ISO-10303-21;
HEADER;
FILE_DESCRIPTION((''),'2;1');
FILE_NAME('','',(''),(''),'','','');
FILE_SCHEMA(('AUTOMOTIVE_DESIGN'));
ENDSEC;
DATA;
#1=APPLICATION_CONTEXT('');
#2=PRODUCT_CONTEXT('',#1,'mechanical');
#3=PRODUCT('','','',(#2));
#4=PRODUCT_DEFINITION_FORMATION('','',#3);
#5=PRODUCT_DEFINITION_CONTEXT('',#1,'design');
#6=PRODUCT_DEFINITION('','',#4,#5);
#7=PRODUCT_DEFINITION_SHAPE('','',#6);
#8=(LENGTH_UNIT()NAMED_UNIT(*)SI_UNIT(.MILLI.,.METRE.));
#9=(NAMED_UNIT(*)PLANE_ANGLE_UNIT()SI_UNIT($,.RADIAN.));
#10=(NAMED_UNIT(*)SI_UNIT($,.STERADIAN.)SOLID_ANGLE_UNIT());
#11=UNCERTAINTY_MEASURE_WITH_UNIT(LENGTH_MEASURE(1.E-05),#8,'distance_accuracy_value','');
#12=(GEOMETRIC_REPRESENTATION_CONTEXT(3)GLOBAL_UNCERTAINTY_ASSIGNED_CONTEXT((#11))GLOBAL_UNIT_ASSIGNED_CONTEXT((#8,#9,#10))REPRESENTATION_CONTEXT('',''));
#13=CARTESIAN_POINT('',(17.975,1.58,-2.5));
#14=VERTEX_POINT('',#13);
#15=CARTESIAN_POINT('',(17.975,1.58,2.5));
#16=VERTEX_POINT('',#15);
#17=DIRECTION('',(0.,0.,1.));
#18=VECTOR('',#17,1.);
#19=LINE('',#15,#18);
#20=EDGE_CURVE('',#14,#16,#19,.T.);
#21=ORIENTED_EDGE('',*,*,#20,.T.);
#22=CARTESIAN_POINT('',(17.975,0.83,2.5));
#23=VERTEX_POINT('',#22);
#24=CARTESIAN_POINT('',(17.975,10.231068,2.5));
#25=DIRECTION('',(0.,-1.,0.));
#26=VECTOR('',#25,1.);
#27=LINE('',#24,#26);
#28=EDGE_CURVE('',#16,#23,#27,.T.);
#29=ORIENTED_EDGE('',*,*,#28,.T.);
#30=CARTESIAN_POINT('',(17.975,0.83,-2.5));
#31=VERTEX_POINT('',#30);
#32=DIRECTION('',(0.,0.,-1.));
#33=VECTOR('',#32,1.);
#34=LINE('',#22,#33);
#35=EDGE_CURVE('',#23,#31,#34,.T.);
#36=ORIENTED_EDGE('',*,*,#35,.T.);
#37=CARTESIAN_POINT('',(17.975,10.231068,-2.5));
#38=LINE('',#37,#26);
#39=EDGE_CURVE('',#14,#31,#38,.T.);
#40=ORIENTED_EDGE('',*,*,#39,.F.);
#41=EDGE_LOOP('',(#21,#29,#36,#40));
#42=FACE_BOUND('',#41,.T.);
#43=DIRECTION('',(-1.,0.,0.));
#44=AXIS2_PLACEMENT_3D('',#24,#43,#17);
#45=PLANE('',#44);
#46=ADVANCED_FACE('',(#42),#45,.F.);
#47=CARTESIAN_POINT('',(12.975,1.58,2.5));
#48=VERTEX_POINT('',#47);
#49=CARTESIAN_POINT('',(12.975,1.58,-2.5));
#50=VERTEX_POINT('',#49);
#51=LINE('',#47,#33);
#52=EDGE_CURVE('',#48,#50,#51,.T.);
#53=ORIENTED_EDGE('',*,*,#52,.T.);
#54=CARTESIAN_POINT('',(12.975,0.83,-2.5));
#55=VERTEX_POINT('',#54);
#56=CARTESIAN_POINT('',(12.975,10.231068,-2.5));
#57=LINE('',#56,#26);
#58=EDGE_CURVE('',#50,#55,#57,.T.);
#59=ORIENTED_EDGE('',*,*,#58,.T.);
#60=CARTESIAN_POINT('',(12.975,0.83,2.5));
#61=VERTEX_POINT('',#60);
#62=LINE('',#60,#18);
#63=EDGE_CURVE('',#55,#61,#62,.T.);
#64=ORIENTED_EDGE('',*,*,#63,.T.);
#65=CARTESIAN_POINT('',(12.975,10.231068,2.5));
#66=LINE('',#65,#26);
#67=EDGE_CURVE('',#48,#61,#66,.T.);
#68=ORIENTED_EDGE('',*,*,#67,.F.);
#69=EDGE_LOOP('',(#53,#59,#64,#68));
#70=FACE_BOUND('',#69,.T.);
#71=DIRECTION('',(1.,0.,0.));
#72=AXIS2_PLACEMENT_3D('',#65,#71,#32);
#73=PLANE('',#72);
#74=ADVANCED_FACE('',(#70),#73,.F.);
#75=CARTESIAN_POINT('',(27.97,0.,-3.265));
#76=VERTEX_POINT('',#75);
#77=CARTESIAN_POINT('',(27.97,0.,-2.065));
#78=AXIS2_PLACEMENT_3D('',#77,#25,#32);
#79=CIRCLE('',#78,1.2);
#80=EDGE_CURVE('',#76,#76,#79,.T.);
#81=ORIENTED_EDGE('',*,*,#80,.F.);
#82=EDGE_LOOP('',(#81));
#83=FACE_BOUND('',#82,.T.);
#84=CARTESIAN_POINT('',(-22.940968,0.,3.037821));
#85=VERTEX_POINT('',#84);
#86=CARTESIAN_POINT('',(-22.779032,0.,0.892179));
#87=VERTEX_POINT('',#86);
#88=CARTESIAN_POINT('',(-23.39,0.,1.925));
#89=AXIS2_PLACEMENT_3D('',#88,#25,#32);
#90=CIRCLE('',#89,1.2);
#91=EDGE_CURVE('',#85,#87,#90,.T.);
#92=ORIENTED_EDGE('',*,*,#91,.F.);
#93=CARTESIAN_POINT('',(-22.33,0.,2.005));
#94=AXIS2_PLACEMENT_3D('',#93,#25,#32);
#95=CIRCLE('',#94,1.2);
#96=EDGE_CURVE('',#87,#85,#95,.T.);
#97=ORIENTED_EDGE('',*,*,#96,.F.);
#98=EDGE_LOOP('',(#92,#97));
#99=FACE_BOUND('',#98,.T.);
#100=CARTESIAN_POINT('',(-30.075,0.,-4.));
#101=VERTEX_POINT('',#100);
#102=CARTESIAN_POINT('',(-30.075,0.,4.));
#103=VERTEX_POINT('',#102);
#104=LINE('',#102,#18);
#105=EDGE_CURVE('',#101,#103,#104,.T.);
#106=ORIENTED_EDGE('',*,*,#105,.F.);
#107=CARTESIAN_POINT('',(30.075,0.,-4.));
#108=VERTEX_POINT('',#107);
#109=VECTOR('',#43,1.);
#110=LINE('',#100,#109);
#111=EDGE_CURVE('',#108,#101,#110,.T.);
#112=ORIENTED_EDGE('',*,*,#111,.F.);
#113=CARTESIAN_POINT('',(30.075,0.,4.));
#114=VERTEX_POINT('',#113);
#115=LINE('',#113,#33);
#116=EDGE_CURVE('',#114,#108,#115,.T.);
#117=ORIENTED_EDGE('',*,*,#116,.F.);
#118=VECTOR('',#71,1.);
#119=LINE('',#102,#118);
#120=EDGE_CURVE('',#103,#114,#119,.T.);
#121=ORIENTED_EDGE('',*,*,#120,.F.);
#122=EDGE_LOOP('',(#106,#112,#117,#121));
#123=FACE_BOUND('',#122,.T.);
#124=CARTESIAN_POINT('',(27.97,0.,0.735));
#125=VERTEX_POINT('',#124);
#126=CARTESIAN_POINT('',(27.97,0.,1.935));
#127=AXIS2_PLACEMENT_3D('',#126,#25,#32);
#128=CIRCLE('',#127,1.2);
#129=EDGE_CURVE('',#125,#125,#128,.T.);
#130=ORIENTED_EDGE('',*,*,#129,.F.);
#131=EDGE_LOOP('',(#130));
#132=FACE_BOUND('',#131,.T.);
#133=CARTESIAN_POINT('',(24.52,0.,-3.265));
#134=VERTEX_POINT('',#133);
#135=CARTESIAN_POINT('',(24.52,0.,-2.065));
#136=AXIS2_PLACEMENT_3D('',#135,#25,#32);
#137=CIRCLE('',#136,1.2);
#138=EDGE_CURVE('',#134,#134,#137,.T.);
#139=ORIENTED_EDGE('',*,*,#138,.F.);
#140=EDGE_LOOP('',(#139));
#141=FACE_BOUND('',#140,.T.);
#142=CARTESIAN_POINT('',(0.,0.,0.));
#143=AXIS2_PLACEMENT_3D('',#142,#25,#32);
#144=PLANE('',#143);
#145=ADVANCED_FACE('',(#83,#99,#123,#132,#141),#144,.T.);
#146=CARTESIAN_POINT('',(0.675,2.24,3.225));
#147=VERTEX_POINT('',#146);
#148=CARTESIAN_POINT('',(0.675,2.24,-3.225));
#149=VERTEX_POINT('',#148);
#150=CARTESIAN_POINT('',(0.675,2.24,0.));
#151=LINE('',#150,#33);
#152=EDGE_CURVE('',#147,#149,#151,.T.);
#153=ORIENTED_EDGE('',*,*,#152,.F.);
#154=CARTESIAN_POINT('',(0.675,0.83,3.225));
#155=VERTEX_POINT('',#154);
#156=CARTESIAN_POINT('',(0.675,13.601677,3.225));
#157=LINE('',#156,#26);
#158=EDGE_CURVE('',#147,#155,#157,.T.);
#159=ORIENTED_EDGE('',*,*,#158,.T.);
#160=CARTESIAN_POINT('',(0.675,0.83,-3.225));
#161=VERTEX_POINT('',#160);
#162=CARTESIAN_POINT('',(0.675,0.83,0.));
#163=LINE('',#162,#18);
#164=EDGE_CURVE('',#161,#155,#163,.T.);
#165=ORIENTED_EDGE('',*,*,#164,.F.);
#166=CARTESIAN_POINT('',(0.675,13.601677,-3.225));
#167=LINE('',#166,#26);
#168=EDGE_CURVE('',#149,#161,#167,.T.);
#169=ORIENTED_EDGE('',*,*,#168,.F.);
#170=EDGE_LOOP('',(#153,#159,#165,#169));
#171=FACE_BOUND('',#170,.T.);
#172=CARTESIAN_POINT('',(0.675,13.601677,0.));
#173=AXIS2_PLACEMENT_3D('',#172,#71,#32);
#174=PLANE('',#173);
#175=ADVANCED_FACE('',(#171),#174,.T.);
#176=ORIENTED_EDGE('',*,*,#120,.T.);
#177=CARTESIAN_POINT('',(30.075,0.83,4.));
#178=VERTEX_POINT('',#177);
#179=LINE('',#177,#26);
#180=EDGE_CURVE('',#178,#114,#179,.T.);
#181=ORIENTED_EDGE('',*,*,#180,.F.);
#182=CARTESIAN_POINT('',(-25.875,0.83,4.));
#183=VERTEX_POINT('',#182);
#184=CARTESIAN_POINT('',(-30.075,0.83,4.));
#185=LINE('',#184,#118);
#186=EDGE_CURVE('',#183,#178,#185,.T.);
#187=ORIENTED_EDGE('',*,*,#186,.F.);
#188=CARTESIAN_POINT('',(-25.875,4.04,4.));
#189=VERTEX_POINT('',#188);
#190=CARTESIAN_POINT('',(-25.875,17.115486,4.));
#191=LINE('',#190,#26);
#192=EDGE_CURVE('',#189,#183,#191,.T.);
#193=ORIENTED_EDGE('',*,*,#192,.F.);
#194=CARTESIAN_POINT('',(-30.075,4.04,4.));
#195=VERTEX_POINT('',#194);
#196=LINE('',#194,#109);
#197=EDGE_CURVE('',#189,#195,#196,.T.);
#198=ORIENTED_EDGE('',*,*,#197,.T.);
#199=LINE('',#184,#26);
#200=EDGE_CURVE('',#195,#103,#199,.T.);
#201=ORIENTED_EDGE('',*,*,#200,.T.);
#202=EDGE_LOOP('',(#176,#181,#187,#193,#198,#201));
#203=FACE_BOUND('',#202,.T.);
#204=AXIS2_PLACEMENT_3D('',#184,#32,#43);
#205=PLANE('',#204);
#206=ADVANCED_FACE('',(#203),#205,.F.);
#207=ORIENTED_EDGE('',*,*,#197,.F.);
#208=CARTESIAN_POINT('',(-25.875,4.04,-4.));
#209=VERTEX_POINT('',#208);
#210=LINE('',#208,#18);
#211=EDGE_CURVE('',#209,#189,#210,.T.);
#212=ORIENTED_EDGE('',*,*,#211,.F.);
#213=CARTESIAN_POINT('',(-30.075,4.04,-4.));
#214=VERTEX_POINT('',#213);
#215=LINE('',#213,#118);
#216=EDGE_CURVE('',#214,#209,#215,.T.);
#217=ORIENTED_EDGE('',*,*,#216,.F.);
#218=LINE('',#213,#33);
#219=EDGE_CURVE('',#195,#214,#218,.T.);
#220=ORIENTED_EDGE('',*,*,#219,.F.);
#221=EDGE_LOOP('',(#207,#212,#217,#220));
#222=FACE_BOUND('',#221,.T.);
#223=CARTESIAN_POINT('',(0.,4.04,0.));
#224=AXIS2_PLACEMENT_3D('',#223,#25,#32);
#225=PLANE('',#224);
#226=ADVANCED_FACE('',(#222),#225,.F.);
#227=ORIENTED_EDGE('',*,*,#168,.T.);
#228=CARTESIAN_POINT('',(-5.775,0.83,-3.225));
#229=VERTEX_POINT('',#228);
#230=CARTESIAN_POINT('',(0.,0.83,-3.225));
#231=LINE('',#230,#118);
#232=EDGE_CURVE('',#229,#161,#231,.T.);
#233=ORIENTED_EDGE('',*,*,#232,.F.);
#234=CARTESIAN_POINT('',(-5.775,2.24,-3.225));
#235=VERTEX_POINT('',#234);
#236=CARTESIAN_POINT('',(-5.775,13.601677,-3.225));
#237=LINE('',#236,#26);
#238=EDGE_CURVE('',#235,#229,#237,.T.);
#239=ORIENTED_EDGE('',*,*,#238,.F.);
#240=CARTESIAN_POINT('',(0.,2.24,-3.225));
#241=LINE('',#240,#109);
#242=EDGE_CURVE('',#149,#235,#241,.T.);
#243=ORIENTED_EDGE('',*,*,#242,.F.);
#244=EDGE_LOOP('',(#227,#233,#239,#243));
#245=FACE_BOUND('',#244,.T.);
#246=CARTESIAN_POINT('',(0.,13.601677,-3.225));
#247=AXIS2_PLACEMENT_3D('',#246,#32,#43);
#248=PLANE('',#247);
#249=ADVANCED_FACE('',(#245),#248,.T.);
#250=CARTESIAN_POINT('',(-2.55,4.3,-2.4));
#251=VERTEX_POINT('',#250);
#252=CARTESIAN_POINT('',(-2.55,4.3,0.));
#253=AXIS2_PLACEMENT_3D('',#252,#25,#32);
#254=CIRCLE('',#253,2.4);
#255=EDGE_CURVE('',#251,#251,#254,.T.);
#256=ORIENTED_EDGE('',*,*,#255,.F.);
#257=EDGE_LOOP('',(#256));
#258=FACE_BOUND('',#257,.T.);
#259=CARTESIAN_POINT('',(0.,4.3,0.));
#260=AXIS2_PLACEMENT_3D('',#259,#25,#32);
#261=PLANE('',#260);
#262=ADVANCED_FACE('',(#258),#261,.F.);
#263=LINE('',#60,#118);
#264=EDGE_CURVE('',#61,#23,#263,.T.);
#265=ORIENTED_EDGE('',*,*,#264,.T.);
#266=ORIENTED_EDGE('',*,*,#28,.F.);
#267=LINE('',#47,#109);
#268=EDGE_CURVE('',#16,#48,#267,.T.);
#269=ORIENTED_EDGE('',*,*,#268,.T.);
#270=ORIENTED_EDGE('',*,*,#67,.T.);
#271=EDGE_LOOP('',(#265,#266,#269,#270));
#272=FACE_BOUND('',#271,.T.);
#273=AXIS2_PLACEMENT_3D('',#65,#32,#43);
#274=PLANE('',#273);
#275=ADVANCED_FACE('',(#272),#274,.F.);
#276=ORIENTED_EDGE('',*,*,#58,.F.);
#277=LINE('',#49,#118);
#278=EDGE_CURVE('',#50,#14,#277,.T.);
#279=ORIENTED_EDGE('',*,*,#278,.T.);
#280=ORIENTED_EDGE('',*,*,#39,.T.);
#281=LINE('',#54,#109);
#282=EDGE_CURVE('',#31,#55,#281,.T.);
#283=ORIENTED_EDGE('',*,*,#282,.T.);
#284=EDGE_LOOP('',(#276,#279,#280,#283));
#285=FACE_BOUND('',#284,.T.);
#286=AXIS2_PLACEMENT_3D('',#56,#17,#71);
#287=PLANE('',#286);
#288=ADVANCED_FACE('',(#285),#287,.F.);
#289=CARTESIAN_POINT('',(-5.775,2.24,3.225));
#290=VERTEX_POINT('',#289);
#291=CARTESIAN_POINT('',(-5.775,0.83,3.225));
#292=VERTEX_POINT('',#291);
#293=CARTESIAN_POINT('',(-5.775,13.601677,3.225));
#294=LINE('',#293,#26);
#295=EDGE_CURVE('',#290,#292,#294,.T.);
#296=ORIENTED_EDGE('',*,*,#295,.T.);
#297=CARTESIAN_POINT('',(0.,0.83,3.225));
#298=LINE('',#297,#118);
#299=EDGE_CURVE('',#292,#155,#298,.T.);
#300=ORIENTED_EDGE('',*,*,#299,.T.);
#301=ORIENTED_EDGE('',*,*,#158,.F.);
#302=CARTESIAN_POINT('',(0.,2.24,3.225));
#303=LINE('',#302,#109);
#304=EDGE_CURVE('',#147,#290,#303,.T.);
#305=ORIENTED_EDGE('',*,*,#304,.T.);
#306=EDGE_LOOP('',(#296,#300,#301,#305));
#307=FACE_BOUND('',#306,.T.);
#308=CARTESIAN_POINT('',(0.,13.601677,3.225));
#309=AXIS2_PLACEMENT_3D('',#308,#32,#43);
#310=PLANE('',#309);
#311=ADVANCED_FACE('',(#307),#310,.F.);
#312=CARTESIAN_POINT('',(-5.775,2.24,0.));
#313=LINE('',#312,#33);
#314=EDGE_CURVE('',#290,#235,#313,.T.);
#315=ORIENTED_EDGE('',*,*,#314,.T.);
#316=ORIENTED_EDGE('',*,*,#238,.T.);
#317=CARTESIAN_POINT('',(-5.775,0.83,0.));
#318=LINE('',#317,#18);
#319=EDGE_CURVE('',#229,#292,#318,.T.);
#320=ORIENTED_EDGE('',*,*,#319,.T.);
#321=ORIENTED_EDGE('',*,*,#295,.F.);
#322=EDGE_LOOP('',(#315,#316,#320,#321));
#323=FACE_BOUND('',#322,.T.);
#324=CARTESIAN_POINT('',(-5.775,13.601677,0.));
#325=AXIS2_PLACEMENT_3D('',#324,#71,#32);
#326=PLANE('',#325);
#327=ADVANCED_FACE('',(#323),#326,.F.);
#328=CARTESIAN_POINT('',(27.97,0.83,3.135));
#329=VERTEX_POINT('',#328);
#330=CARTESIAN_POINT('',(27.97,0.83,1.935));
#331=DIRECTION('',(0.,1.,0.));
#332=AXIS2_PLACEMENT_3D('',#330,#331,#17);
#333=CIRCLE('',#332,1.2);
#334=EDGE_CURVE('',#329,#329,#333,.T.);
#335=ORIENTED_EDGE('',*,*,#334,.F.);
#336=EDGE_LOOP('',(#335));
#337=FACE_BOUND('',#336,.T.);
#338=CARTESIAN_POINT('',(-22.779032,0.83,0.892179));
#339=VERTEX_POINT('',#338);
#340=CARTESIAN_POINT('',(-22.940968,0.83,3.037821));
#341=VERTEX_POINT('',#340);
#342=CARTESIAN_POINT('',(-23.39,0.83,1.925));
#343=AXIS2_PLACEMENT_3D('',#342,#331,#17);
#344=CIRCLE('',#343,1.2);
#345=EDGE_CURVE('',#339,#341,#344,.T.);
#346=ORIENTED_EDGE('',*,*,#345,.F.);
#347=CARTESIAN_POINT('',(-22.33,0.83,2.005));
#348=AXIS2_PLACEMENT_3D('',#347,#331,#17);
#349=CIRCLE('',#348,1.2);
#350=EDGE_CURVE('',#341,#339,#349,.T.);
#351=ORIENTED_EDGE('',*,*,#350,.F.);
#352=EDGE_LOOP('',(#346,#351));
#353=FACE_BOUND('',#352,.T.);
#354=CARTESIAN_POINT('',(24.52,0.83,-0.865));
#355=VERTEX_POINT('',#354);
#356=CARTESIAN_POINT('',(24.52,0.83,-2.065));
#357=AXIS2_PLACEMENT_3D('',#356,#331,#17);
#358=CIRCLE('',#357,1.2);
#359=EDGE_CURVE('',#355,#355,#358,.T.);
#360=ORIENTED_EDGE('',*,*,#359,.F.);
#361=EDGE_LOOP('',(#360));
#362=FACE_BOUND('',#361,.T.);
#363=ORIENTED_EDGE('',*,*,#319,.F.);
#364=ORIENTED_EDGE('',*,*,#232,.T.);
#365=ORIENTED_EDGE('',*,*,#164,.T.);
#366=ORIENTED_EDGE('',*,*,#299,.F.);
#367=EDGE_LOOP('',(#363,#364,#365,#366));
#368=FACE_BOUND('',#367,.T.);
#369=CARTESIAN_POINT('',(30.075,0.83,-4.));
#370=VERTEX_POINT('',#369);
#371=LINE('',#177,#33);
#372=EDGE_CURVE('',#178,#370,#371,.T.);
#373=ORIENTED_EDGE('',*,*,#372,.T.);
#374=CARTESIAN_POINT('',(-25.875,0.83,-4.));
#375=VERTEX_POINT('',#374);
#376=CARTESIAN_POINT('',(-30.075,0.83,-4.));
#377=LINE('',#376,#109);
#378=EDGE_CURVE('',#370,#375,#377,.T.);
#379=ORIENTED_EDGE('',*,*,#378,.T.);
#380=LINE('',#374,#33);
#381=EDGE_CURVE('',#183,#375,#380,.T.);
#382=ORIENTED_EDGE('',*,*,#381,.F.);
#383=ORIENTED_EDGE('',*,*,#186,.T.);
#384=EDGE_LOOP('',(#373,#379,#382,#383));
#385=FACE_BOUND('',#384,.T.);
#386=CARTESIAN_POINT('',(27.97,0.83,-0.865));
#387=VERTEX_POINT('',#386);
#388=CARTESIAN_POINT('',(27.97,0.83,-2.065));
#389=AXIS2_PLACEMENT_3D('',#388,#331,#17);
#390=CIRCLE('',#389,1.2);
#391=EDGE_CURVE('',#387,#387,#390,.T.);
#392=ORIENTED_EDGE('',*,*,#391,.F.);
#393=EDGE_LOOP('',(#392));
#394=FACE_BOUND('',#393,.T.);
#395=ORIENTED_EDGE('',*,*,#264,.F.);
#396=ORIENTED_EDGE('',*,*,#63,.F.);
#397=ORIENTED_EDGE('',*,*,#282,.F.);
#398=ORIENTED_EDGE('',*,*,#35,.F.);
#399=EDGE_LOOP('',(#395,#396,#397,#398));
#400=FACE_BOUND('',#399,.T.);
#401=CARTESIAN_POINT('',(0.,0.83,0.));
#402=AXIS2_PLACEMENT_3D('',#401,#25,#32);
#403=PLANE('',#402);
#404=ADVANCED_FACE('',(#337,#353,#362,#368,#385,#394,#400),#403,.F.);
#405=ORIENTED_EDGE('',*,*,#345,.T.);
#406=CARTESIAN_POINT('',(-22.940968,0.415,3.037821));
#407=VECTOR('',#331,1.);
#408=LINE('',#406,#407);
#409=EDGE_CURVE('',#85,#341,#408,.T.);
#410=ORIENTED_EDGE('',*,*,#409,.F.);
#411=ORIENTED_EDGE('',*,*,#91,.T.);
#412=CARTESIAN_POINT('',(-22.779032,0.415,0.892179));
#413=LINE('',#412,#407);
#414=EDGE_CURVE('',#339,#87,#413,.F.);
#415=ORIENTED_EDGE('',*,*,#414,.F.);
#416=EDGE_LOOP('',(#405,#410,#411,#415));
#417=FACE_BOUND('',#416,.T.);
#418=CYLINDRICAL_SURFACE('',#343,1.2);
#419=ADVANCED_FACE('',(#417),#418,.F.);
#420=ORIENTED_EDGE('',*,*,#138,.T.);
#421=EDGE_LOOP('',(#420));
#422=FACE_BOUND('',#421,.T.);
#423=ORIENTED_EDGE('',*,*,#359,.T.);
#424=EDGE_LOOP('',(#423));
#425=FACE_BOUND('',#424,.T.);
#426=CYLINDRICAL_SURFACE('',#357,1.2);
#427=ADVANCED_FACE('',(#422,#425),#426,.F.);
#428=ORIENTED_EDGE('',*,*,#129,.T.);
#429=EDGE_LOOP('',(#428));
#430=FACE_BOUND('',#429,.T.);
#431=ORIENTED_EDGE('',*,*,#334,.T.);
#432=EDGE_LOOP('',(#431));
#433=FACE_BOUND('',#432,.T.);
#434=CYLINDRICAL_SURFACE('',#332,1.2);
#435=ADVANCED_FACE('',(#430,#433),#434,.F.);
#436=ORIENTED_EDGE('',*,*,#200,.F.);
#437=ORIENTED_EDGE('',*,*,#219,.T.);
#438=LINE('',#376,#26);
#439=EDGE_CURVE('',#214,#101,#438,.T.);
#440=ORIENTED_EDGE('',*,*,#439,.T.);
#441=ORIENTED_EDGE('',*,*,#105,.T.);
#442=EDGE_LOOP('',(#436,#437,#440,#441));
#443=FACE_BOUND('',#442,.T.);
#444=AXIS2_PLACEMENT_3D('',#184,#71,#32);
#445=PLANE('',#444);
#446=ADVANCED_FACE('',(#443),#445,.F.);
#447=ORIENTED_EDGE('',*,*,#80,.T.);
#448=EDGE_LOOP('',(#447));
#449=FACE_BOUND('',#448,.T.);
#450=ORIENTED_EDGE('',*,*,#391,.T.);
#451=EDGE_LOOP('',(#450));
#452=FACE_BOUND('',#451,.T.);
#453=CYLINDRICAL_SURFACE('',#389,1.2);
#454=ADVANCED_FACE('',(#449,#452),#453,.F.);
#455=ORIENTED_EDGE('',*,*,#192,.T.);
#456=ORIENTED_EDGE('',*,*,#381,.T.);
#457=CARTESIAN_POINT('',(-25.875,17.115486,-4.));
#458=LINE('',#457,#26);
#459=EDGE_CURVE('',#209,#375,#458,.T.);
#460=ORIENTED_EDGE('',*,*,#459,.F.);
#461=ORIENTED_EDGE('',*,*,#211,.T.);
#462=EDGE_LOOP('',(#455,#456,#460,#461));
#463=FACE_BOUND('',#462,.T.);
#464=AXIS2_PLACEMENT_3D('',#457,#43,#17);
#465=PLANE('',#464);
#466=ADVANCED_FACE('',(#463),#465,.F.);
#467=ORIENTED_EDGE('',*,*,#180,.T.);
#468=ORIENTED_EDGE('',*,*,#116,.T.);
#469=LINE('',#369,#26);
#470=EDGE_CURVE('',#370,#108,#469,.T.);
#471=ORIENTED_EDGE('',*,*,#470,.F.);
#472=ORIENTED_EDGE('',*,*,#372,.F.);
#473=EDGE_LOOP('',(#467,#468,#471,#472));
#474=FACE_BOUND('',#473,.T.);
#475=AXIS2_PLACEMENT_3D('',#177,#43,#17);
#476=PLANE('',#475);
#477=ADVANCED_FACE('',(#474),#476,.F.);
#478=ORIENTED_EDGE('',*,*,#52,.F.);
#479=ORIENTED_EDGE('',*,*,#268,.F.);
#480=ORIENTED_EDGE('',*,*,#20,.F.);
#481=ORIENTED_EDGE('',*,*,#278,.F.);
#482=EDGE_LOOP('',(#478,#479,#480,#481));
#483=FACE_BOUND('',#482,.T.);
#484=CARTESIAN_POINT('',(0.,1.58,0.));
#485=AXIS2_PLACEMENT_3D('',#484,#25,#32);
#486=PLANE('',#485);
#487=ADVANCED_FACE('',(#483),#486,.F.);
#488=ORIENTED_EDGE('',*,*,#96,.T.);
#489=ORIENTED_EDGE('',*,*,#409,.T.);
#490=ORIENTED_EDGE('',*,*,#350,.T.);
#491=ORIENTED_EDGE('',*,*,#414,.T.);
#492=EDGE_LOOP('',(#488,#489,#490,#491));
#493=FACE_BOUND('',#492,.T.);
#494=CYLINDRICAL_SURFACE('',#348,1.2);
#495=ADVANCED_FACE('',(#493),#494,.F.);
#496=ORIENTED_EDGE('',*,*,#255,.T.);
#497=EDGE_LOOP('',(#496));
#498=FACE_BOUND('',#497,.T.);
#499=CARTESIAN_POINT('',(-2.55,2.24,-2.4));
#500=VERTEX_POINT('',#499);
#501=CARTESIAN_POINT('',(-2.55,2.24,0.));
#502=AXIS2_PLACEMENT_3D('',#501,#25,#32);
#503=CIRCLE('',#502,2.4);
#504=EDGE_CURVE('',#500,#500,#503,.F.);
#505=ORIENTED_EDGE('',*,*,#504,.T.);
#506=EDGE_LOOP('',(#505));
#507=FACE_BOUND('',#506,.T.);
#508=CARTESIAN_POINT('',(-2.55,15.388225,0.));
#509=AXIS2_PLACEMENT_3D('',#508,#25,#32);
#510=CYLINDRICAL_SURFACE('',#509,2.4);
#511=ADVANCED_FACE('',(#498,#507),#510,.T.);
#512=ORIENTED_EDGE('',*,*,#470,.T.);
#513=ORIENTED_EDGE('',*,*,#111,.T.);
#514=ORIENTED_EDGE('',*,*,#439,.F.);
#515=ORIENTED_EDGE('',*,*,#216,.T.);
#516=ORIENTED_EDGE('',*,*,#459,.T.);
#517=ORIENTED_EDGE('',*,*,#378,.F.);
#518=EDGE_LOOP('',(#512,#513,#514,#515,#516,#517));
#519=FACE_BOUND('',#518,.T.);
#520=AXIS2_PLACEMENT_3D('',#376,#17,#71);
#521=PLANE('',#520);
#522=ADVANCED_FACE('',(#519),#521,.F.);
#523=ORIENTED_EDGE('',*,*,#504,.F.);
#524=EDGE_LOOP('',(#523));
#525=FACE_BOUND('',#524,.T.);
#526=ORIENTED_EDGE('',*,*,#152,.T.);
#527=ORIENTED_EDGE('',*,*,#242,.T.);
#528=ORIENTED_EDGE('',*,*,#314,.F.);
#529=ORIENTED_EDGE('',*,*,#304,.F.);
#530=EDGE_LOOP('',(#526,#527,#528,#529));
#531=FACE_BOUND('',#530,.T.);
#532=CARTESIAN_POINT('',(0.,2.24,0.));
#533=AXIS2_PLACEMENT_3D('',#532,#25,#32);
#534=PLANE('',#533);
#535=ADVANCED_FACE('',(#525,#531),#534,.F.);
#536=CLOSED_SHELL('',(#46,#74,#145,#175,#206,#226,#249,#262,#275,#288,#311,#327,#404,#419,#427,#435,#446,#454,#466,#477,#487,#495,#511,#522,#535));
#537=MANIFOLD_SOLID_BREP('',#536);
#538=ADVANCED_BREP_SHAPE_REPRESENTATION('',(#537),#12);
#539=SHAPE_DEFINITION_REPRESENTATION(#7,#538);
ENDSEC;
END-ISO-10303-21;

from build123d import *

# Parameters (mm, degrees)
SKETCH1_W            = 60.15
SKETCH1_H            = 8
BOSS_EXTRUDE1_DEPTH  = 0.83
SKETCH2_W            = 6.45
SKETCH2_H            = 6.45
SKETCH2_R            = 2.4
BOSS_EXTRUDE2_DEPTH  = 1.41
SKETCH2_3_R          = 2.4
BOSS_EXTRUDE3_DEPTH  = 3.47
SKETCH3_W            = 4.2
SKETCH3_H            = 8
BOSS_EXTRUDE4_DEPTH  = 3.21
M2_CLEARANCE_HOLE1_D = 2.4
SKETCH6_W            = 5
SKETCH6_H            = 5
BOSS_EXTRUDE5_DEPTH  = 0.75


with BuildPart() as part:
    # Sketch1 → Boss-Extrude1 (new body)
    with BuildSketch(Plane(origin=(0, 0, 0), x_dir=(1, 0, 0), z_dir=(0, 1, 0))):
        Rectangle(SKETCH1_W, SKETCH1_H)
    extrude(amount=BOSS_EXTRUDE1_DEPTH)

    # Sketch2 → Boss-Extrude2 (add)
    # profile 1 of 2: a face of its own
    with BuildSketch(Plane(origin=(0, 0.83, 0), x_dir=(1, 0, 0), z_dir=(0, 1, 0))):
        with Locations((-2.55, 0)):
            Rectangle(SKETCH2_W, SKETCH2_H)
        with Locations((-2.55, 0)):
            Circle(SKETCH2_R, mode=Mode.SUBTRACT)
    # profile 2 of 2: a face of its own
    with BuildSketch(Plane(origin=(0, 0.83, 0), x_dir=(1, 0, 0), z_dir=(0, 1, 0))):
        with Locations((-2.55, 0)):
            Circle(SKETCH2_R)
    extrude(amount=BOSS_EXTRUDE2_DEPTH)

    # Sketch2<3> → Boss-Extrude3 (add)
    with BuildSketch(Plane(origin=(0, 0.83, 0), x_dir=(1, 0, 0), z_dir=(0, 1, 0))):
        with Locations(Location((-2.55, 0, 0), (0, 0, 90))):
            Circle(SKETCH2_3_R)
    extrude(amount=BOSS_EXTRUDE3_DEPTH)

    # Sketch3 → Boss-Extrude4 (add)
    with BuildSketch(Plane(origin=(0, 0.83, 0), x_dir=(1, 0, 0), z_dir=(0, 1, 0))):
        with Locations((-27.975, 0)):
            Rectangle(SKETCH3_W, SKETCH3_H)
    extrude(amount=BOSS_EXTRUDE4_DEPTH)

    # M2 Clearance Hole1 (through all)
    with Locations(Plane(origin=(0, 0.83, 0), x_dir=(1, 0, 0), z_dir=(0, 1, 0))):
        with Locations((24.52, 2.065), (27.97, 2.065), (27.97, -1.935), (-23.39, -1.925), (-22.33, -2.005)):
            Hole(M2_CLEARANCE_HOLE1_D / 2)

    # Sketch6 → Boss-Extrude5 (add)
    with BuildSketch(Plane(origin=(0, 0.83, 0), x_dir=(1, 0, 0), z_dir=(0, 1, 0))):
        with Locations((15.475, 0)):
            Rectangle(SKETCH6_W, SKETCH6_H)
    extrude(amount=BOSS_EXTRUDE5_DEPTH)


solid = part.part
